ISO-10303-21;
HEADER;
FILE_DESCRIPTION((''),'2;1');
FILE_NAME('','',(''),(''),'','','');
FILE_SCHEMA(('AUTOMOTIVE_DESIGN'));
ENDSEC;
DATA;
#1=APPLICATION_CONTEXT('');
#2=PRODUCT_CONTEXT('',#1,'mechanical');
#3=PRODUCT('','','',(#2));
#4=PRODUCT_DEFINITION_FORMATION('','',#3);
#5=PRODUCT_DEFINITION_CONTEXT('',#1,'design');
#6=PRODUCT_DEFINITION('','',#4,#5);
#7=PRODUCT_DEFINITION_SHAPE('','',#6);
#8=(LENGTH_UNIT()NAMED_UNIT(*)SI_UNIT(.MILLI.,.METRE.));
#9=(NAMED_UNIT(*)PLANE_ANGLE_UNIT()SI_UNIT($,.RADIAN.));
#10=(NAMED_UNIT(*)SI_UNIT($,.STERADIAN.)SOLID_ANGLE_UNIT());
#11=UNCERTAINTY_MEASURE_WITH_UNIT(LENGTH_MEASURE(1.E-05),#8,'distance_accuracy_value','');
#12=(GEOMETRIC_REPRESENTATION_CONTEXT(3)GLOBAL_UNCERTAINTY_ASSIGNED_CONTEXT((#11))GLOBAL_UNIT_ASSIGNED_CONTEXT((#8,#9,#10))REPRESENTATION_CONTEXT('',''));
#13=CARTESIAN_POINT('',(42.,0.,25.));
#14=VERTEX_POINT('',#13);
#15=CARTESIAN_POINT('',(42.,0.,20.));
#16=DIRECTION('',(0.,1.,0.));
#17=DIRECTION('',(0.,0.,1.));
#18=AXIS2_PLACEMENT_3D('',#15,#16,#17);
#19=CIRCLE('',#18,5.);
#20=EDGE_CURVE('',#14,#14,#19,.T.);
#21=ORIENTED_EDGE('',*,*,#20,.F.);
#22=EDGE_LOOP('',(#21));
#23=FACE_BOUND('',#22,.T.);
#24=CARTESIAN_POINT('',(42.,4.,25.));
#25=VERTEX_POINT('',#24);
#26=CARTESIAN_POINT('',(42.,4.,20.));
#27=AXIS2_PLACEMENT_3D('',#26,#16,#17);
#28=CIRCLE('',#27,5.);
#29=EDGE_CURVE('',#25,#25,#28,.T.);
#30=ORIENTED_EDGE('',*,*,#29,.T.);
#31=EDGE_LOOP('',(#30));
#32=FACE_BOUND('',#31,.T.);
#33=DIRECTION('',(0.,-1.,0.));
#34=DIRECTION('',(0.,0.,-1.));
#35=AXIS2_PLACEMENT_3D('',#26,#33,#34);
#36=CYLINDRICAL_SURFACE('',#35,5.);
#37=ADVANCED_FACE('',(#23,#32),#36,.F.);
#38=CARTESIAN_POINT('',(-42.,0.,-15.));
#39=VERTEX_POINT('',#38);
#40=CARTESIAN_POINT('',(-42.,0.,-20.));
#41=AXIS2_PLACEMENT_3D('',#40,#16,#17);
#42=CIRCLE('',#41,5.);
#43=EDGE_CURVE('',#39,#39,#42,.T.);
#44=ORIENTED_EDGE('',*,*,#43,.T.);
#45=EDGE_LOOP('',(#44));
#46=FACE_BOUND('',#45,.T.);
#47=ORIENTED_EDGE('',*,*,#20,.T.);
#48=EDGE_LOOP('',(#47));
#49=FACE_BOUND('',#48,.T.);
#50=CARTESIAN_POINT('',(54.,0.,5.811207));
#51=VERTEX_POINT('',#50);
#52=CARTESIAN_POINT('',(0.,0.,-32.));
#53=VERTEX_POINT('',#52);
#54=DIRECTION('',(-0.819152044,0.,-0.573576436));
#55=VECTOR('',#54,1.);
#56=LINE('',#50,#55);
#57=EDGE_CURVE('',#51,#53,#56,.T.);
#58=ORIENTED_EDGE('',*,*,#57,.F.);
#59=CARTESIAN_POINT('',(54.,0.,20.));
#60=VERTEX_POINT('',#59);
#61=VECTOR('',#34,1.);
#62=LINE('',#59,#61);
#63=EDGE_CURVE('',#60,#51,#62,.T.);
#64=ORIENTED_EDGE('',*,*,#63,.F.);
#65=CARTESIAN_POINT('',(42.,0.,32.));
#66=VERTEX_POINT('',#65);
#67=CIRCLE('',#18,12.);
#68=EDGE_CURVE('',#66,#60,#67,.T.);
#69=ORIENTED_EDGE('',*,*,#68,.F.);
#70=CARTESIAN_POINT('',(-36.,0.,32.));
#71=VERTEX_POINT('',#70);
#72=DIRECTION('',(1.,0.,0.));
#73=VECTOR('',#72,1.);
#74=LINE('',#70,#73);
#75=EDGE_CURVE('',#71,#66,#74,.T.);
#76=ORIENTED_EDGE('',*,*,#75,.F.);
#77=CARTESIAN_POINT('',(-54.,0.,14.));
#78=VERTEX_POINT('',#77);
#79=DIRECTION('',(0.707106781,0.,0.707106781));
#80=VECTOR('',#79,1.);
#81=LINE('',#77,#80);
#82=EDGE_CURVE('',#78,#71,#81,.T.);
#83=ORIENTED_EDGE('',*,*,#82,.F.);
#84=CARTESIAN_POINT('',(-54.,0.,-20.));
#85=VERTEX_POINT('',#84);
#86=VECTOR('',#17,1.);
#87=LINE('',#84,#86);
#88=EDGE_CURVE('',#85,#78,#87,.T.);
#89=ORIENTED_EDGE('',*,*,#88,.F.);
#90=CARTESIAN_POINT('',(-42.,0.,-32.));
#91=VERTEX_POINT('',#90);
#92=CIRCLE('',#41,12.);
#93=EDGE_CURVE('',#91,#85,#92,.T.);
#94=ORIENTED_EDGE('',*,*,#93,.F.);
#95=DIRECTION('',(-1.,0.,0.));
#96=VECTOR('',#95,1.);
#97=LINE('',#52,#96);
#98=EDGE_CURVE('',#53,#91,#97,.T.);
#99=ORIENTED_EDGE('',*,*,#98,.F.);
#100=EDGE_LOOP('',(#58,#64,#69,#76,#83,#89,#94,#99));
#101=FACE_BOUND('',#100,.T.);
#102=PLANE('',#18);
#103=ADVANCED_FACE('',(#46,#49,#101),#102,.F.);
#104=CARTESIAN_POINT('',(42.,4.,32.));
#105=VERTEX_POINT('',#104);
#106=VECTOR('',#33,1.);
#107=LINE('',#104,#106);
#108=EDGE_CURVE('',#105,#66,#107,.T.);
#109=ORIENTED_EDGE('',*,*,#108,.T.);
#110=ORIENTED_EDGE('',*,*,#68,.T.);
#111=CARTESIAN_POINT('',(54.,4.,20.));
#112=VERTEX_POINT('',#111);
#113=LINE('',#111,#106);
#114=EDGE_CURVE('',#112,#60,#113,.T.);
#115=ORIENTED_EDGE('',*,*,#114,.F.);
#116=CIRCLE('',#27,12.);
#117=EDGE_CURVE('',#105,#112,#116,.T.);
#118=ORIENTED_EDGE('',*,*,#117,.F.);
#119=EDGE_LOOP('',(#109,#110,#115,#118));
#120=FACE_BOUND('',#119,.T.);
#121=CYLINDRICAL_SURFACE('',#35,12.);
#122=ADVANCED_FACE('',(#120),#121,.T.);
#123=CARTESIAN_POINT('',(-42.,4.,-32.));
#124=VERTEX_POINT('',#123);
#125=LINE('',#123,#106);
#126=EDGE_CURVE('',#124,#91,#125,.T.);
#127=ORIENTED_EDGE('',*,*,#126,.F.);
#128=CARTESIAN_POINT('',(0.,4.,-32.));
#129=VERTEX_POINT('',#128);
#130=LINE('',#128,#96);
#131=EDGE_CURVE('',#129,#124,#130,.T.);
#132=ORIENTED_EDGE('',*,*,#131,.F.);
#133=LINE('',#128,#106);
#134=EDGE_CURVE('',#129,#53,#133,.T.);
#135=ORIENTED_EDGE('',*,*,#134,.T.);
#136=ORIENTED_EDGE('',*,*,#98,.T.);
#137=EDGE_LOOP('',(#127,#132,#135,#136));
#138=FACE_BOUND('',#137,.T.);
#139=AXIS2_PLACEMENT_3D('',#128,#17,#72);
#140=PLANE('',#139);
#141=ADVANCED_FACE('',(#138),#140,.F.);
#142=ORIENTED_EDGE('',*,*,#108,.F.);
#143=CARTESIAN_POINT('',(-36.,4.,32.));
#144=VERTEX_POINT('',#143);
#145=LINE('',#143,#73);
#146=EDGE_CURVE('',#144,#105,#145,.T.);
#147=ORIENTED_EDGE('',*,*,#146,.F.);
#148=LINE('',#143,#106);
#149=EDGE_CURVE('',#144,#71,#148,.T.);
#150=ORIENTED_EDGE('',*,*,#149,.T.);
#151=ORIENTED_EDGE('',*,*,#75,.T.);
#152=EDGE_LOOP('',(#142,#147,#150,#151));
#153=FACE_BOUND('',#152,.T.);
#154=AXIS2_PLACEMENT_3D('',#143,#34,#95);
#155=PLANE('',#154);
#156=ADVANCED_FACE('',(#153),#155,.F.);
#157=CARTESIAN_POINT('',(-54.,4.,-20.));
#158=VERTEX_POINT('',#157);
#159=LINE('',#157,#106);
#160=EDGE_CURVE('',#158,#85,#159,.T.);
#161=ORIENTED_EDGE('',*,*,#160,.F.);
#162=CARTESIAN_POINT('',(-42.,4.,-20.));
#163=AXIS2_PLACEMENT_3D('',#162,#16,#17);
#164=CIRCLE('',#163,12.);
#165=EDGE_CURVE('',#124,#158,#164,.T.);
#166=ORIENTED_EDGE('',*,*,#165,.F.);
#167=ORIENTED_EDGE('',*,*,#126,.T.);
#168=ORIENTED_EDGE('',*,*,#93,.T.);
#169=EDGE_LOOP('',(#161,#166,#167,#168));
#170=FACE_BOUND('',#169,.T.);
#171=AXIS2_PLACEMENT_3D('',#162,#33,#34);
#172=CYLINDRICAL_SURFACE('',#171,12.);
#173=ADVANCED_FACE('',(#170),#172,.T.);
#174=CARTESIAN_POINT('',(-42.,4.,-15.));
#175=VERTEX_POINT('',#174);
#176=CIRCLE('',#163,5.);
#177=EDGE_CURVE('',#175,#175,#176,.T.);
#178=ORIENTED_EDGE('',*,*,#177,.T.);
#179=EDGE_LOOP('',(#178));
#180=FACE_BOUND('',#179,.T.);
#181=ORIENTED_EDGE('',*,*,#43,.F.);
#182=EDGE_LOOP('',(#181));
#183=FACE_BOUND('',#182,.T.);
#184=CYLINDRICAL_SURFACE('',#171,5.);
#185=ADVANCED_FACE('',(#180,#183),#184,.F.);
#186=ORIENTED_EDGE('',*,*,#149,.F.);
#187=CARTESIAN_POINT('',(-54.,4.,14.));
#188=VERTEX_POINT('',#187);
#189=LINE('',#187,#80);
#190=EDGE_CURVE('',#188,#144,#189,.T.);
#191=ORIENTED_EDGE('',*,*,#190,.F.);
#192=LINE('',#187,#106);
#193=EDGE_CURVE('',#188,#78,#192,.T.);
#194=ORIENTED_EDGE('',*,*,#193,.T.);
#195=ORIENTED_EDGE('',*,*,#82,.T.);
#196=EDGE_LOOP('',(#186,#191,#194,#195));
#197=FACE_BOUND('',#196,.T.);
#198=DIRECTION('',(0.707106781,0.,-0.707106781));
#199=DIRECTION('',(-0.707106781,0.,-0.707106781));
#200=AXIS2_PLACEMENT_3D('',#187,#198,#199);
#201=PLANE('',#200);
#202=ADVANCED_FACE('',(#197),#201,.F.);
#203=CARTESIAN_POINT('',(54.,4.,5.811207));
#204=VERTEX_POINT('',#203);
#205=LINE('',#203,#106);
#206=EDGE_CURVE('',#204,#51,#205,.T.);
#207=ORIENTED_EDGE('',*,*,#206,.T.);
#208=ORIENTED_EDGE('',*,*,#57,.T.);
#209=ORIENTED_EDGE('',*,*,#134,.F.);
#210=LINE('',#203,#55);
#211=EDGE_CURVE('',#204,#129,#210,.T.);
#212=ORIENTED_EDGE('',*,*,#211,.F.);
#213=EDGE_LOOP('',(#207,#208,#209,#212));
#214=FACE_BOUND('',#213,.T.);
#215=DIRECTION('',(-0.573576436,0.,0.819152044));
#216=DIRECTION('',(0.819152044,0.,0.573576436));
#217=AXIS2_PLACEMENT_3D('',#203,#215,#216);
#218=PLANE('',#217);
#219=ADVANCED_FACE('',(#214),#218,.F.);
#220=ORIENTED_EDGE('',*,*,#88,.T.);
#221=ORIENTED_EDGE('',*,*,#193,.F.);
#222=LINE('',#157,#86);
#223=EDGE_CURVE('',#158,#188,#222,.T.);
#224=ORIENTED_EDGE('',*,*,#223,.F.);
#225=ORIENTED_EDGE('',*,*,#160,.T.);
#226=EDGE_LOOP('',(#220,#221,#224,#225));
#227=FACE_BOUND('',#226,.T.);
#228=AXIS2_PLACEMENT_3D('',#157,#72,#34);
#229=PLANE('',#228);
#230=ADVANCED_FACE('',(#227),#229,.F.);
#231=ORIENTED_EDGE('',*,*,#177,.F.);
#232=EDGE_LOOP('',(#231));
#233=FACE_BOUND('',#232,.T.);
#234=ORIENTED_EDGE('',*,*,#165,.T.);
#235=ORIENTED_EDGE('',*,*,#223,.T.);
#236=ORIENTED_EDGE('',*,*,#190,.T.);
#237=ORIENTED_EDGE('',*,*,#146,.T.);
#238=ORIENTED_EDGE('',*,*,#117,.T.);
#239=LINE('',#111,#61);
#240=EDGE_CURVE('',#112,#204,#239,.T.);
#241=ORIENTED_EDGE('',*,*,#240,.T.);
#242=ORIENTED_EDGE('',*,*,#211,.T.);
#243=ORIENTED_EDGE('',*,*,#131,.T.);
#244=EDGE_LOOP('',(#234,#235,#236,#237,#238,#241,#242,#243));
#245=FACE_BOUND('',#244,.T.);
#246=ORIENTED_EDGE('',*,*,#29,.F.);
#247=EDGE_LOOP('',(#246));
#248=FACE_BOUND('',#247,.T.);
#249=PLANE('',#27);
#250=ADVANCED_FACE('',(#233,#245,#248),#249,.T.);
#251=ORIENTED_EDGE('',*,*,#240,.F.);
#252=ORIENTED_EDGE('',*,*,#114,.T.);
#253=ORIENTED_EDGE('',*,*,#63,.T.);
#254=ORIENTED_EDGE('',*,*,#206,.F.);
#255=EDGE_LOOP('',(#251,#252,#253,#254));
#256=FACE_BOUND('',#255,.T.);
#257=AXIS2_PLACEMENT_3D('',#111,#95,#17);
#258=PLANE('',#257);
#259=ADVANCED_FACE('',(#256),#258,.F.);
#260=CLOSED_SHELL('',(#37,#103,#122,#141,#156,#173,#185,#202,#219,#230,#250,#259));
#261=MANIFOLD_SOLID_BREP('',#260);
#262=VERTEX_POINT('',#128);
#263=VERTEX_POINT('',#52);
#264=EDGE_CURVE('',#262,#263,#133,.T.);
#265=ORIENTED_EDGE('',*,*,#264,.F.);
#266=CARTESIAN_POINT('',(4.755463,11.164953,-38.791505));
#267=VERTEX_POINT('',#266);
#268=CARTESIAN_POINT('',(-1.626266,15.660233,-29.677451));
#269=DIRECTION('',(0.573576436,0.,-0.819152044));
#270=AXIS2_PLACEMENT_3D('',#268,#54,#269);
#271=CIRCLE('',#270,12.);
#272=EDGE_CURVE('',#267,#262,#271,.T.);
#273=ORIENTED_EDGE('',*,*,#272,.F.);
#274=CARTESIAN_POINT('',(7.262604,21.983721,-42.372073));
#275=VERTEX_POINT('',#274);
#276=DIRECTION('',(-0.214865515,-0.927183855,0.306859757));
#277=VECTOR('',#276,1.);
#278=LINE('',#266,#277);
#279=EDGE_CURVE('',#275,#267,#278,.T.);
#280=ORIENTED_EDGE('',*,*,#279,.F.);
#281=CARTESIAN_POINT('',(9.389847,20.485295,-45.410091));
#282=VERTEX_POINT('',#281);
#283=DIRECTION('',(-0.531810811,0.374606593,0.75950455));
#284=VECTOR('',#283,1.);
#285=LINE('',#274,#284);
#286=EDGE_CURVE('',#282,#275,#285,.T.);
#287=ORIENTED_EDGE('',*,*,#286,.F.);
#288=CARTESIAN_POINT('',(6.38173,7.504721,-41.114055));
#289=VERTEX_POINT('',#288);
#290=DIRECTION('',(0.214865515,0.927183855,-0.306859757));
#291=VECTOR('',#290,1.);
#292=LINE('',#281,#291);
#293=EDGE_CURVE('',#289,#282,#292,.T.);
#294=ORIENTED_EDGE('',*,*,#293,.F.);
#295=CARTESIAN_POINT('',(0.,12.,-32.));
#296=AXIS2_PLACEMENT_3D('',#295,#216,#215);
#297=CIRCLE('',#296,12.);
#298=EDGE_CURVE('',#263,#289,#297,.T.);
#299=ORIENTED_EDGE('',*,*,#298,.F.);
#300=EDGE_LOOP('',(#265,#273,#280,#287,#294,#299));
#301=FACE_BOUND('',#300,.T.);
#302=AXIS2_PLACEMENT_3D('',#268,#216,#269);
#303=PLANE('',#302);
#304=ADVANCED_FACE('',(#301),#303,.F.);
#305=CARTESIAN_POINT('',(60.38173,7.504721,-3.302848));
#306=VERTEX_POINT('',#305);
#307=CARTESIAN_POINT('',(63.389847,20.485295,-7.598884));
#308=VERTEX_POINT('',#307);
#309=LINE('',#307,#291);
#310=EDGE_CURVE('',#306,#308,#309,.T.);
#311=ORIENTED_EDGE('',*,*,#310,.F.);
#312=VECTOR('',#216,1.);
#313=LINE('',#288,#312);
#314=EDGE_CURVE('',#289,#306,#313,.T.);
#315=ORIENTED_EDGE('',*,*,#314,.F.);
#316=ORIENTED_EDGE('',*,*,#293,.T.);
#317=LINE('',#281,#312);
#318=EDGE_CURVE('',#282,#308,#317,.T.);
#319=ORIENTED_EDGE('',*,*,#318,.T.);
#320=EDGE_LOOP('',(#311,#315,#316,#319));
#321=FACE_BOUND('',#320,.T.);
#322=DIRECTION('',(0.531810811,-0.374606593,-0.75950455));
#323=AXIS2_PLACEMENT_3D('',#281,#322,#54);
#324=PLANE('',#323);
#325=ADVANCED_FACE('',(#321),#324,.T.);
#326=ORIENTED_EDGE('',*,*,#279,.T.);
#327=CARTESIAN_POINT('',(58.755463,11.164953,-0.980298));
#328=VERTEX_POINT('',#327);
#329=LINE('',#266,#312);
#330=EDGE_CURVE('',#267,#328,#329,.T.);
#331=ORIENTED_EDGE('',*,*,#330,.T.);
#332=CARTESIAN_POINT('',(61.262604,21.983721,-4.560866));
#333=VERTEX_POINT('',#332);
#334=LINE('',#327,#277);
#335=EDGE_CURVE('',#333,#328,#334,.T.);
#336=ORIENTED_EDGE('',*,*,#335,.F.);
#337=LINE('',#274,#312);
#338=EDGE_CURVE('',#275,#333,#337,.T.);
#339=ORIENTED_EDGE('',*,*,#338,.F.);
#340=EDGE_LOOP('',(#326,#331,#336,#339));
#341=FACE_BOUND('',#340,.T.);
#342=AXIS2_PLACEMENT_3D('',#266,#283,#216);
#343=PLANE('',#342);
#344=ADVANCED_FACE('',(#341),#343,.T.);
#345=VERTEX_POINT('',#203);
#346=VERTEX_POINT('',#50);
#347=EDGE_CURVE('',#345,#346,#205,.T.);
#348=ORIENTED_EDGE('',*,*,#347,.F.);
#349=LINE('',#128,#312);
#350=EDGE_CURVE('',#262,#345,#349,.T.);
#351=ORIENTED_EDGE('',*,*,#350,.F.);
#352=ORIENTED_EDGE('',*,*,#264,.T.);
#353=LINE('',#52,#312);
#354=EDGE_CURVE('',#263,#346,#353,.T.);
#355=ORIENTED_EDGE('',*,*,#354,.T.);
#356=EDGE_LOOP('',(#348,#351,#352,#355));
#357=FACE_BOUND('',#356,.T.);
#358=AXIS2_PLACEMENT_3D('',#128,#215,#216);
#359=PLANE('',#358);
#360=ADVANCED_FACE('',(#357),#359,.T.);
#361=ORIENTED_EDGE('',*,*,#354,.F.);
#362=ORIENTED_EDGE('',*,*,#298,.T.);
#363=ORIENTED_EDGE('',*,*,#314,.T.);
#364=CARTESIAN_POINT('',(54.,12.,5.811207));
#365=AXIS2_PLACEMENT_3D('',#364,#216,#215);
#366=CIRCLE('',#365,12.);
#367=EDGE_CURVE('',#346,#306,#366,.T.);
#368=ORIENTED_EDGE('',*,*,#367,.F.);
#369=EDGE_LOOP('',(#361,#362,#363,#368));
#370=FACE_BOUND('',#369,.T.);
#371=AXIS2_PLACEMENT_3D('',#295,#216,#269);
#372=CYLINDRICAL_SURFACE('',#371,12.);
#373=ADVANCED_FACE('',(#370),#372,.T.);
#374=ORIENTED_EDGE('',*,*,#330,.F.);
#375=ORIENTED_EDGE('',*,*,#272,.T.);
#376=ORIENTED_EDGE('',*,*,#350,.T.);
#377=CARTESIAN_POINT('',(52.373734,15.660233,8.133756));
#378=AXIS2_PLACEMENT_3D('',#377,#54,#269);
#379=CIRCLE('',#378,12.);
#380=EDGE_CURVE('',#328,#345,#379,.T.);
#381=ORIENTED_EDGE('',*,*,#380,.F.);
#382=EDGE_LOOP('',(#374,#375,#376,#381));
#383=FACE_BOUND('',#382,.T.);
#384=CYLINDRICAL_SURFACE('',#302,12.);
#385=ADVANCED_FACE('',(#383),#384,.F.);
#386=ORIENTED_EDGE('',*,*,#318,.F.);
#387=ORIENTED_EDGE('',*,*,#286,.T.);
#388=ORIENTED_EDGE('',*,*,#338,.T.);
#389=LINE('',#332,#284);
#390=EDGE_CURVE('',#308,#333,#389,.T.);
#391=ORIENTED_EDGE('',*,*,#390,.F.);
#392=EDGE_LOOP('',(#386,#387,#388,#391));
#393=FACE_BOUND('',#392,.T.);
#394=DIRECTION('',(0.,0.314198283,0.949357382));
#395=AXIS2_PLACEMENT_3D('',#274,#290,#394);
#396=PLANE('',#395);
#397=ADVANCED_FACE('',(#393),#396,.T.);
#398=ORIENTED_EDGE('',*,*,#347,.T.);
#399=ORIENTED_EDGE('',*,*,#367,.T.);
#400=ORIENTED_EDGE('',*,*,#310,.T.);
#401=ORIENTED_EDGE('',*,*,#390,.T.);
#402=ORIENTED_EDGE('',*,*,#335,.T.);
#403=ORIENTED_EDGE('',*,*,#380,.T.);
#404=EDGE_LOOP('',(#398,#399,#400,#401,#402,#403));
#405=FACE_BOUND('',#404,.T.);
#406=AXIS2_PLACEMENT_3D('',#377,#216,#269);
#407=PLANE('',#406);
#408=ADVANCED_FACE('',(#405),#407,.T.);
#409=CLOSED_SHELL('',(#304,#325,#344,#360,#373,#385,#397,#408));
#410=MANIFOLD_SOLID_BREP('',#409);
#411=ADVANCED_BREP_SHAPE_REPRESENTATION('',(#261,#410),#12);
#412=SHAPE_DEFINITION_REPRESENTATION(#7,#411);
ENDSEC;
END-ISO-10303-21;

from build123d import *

# Parameters (mm, degrees)
SKETCH2_R           = 5
BOSS_EXTRUDE1_DEPTH = 4
BOSS_EXTRUDE2_DEPTH = 65.921828


with BuildPart() as part:
    # Sketch2 → Boss-Extrude1 (new body)
    with BuildSketch(Plane(origin=(0, 0, 0), x_dir=(1, 0, 0), z_dir=(0, 1, 0))):
        with BuildLine():
            Line((0, 32), (-42, 32))
            ThreePointArc((-42, 32), (-50.485281374, 28.485281374), (-54, 20))
            Line((-54, 20), (-54, -14))
            Line((-54, -14), (-36, -32))
            Line((-36, -32), (42, -32))
            ThreePointArc((42, -32), (50.485281374, -28.485281374), (54, -20))
            Line((54, -20), (54, -5.811207063))
            Line((54, -5.811207063), (0, 32))
        make_face()
        with Locations(Location((-42, 20, 0), (0, 0, 270))):
            Circle(SKETCH2_R, mode=Mode.SUBTRACT)
        with Locations(Location((42, -20, 0), (0, 0, 270))):
            Circle(SKETCH2_R, mode=Mode.SUBTRACT)
    extrude(amount=BOSS_EXTRUDE1_DEPTH)


with BuildPart() as body_2:
    # Sketch3 → Boss-Extrude2 (new body)
    with BuildSketch(Plane(origin=(38.964918067, 0, 27.283529357), x_dir=(0, -1, 0), z_dir=(0.8191520442889951, 0, 0.5735764363510414))):
        with BuildLine():
            Line((-11.16495341, 34.503762636), (-21.983721217, 38.874828562))
            Line((-21.983721217, 38.874828562), (-20.485294843, 42.58356398))
            Line((-20.485294843, 42.58356398), (-7.504720879, 37.339071672))
            ThreePointArc((-7.504720879, 37.339071672), (-2.051549129, 32.923180259), (0, 26.212865417))
            Line((0, 26.212865417), (-4, 26.212865417))
            ThreePointArc((-4, 26.212865417), (-6.580866729, 31.223900539), (-11.16495341, 34.503762636))
        make_face()
    extrude(amount=-BOSS_EXTRUDE2_DEPTH)


solid = Compound([part.part, body_2.part])
